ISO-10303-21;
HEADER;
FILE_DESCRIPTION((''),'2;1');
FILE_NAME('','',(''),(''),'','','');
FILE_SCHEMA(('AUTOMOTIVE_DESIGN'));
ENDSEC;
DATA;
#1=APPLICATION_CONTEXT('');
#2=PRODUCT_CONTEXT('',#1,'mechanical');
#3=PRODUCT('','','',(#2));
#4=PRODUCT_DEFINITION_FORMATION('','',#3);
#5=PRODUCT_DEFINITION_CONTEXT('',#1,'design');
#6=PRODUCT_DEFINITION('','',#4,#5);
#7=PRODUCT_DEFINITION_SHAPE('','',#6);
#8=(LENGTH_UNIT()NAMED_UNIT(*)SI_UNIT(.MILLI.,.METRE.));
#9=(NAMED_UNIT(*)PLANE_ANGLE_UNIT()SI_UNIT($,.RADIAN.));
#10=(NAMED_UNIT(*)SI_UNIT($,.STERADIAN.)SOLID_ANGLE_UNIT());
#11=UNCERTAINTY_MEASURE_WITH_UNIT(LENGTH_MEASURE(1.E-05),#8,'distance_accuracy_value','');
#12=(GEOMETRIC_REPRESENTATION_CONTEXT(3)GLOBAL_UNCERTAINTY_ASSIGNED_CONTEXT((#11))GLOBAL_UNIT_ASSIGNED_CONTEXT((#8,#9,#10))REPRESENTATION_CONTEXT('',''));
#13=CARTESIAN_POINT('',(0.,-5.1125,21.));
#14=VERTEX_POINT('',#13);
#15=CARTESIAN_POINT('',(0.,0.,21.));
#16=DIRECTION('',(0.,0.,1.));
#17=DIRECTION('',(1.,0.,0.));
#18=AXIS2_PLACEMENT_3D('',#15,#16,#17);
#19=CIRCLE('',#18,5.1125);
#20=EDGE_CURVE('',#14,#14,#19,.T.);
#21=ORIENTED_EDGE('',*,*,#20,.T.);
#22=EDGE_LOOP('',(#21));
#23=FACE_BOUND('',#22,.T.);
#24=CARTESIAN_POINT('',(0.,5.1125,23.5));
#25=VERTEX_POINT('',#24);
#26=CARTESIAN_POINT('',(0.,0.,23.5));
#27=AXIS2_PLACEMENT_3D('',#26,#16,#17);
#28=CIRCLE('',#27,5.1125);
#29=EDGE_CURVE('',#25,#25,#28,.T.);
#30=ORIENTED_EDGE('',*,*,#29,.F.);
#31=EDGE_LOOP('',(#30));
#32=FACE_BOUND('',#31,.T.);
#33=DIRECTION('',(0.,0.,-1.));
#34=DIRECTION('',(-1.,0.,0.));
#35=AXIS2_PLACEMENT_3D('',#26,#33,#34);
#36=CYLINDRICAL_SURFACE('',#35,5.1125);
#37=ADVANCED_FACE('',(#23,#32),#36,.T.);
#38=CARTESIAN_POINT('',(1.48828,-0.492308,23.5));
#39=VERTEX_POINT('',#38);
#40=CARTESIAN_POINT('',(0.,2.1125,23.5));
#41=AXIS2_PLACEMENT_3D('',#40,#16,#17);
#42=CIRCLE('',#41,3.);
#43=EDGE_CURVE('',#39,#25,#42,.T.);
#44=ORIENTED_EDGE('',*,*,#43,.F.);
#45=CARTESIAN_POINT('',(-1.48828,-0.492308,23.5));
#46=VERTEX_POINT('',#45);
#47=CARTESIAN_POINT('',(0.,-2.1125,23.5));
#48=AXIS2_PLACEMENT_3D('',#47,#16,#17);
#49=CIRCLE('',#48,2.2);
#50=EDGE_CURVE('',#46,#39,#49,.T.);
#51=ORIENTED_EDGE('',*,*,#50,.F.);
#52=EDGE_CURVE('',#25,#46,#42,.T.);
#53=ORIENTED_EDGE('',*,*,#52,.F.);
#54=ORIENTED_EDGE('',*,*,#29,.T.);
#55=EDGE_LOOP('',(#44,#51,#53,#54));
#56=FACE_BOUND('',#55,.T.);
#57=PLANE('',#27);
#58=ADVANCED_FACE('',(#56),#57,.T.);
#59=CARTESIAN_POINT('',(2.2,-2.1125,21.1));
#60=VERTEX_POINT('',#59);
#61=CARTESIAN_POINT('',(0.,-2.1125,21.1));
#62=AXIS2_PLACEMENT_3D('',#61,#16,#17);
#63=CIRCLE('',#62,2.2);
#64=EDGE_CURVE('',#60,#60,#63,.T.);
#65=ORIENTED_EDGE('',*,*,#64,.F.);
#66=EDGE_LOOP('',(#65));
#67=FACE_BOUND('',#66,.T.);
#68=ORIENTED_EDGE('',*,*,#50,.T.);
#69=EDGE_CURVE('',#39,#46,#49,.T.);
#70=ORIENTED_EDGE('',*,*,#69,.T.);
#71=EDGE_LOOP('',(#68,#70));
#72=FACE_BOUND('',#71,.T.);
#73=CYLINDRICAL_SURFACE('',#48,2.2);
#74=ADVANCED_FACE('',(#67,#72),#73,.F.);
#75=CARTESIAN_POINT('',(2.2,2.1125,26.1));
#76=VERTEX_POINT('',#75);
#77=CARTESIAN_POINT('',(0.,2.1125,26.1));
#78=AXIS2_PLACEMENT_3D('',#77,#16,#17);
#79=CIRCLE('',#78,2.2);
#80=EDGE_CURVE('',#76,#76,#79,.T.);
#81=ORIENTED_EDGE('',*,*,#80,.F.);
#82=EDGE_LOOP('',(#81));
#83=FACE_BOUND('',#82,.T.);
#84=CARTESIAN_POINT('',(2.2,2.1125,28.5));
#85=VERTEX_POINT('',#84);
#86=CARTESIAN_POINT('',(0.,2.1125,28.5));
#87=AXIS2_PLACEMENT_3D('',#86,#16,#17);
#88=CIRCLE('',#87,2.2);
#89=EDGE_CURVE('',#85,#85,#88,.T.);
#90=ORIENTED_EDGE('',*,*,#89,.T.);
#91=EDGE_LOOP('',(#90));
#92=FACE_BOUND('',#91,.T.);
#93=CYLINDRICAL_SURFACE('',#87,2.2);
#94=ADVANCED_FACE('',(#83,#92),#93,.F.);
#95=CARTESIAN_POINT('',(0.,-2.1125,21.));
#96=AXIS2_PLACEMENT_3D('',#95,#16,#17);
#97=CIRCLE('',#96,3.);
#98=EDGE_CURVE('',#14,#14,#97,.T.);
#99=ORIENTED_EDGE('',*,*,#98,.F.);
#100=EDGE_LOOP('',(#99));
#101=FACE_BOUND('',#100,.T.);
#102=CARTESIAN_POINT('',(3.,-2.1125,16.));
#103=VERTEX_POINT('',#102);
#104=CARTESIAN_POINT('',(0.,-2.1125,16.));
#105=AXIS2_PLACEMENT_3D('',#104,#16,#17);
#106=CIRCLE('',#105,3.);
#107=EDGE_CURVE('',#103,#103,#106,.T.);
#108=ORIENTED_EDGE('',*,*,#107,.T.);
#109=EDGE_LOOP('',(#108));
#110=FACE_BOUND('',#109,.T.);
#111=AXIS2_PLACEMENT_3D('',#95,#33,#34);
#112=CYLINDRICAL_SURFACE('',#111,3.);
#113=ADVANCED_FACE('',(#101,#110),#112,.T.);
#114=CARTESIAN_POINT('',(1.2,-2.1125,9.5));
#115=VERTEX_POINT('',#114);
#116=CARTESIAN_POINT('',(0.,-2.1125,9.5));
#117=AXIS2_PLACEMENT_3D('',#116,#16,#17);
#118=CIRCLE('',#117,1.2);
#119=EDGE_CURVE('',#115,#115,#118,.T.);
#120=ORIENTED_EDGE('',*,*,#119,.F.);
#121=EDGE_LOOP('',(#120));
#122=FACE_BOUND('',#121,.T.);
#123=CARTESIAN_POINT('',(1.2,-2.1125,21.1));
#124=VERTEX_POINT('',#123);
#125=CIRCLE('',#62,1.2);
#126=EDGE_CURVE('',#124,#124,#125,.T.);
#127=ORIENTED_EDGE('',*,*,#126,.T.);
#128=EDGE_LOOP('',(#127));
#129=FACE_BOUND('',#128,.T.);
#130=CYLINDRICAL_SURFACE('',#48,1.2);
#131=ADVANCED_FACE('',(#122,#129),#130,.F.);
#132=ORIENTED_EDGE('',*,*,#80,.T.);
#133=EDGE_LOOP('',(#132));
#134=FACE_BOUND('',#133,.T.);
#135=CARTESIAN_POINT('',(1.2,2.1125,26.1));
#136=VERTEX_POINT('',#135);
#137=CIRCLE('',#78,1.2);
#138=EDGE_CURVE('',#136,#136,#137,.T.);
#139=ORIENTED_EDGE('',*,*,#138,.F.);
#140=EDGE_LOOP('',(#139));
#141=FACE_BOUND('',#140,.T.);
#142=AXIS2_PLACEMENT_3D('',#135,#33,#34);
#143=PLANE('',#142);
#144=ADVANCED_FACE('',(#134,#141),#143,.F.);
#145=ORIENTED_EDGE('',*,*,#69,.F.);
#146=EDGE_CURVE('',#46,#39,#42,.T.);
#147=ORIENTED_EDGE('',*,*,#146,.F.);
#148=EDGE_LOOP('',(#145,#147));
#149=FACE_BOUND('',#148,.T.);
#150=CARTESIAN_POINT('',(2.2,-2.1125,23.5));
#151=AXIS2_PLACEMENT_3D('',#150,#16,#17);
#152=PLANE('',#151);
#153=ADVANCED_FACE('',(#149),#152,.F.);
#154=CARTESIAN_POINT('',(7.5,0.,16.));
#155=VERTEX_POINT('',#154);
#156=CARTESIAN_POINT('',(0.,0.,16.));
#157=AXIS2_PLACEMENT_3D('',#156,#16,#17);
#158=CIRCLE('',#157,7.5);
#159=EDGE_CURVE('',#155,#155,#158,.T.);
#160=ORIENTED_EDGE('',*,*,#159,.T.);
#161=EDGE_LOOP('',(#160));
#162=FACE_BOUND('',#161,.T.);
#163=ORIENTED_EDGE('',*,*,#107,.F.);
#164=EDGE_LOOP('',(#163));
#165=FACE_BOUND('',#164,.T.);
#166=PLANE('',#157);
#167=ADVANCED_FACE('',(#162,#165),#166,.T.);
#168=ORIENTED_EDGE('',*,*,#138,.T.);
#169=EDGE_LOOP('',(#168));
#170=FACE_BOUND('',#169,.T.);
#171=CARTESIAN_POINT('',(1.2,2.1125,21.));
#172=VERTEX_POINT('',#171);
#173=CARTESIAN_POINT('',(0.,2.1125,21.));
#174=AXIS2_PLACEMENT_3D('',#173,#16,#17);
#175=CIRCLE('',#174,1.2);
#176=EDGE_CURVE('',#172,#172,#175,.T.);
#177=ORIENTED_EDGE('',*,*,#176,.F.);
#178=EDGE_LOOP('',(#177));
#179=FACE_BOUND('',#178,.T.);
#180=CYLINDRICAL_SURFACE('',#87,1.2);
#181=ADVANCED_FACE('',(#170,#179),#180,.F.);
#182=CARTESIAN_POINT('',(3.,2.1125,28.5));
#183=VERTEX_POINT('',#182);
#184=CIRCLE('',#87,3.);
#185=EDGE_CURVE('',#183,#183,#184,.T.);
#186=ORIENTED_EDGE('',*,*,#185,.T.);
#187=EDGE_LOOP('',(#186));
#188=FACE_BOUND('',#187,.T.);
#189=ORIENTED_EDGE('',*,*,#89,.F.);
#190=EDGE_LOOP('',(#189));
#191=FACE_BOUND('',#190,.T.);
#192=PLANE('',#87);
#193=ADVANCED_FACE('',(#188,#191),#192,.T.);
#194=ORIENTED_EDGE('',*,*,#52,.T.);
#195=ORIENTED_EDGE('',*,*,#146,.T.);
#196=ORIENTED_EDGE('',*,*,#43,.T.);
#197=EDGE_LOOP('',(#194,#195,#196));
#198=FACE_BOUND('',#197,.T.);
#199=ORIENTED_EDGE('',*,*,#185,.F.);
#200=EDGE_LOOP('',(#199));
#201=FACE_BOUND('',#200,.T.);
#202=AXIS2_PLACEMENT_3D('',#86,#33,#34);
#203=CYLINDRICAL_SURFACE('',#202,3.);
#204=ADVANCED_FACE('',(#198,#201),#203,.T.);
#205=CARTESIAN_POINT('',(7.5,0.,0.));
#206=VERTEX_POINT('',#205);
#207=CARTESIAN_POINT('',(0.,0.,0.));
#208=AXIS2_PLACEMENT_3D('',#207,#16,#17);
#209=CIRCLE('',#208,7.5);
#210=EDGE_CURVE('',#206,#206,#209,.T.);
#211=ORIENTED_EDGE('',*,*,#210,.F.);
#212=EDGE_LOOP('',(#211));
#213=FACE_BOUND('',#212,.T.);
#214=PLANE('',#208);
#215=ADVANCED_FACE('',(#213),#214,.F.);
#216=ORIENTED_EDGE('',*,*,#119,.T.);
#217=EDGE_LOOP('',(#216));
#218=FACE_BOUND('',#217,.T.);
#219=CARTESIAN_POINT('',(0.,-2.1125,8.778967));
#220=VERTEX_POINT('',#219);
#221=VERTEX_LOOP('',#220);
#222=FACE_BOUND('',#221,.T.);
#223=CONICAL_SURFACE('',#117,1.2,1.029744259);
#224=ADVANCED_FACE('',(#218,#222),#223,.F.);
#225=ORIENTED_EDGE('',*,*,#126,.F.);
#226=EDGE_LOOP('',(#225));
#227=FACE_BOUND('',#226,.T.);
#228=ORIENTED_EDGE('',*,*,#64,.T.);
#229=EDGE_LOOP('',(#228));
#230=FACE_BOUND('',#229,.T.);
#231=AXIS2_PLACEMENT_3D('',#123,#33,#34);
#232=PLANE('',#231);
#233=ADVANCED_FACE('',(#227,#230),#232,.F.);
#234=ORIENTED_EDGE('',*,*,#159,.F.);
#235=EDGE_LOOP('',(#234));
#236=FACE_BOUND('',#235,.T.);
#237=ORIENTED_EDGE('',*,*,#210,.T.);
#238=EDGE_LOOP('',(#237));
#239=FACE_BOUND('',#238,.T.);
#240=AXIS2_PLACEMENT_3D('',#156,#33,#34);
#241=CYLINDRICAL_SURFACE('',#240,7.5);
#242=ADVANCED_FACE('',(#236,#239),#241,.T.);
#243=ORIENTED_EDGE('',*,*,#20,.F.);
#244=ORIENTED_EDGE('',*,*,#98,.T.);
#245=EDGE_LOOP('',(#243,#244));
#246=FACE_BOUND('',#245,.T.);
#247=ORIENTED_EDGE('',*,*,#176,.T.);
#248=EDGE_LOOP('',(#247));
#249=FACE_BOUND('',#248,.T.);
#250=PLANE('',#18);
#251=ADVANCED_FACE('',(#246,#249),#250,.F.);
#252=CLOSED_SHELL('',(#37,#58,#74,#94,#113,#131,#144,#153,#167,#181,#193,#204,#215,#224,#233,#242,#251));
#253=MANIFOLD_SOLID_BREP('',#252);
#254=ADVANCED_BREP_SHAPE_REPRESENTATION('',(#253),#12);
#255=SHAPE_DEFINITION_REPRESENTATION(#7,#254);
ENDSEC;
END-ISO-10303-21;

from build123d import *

# Parameters (mm, degrees)
SKETCH1_R                                           = 7.5
BOSS_EXTRUDE1_DEPTH                                 = 16
SKETCH2_R                                           = 3
BOSS_EXTRUDE2_DEPTH                                 = 5
SKETCH3_R                                           = 5.1125
BOSS_EXTRUDE3_DEPTH                                 = 2.5
SKETCH5_R                                           = 3
BOSS_EXTRUDE4_DEPTH                                 = 5
CBORE_FOR_M2_HEX_SOCKET_HEAD_CAP_SCREW1_D           = 2.4
CBORE_FOR_M2_HEX_SOCKET_HEAD_CAP_SCREW1_DEPTH       = 7.5
CBORE_FOR_M2_HEX_SOCKET_HEAD_CAP_SCREW1_CBORE_D     = 4.4
CBORE_FOR_M2_HEX_SOCKET_HEAD_CAP_SCREW1_CBORE_DEPTH = 2.4


with BuildPart() as part:
    # Sketch1 → Boss-Extrude1 (new body)
    with BuildSketch(Plane.XY):
        Circle(SKETCH1_R)
    extrude(amount=BOSS_EXTRUDE1_DEPTH)

    # Sketch2 → Boss-Extrude2 (add)
    with BuildSketch(Plane.XY.offset(16)):
        with Locations((0, -2.1125)):
            Circle(SKETCH2_R)
    extrude(amount=BOSS_EXTRUDE2_DEPTH)

    # Sketch3 → Boss-Extrude3 (add)
    with BuildSketch(Plane.XY.offset(21)):
        with Locations(Location((0, 0, 0), (0, 0, 270))):
            Circle(SKETCH3_R)
    extrude(amount=BOSS_EXTRUDE3_DEPTH)

    # Sketch5 → Boss-Extrude4 (add)
    with BuildSketch(Plane.XY.offset(23.5)):
        with Locations(Location((0, 2.1125, 0), (0, 0, 90))):
            Circle(SKETCH5_R)
    extrude(amount=BOSS_EXTRUDE4_DEPTH)

    # CBORE for M2 Hex Socket Head Cap Screw1
    with Locations(Plane.XY.offset(28.5)):
        with Locations((0, 2.1125)):
            CounterBoreHole(CBORE_FOR_M2_HEX_SOCKET_HEAD_CAP_SCREW1_D / 2, CBORE_FOR_M2_HEX_SOCKET_HEAD_CAP_SCREW1_CBORE_D / 2, CBORE_FOR_M2_HEX_SOCKET_HEAD_CAP_SCREW1_CBORE_DEPTH, depth=CBORE_FOR_M2_HEX_SOCKET_HEAD_CAP_SCREW1_DEPTH)

    # Sketch10 → CBORE for M2 Hex Socket Head Cap Screw2 (revolve, cut)
    with BuildSketch(Plane(origin=(0, -2.1125, 23.5), x_dir=(0, -1, 0), z_dir=(1, 0, 0))):
        Polygon((0, 0), (0, 14.721032743), (1.2, 14), (1.2, 2.4), (2.2, 2.4), (2.2, 0), align=None)
    revolve(axis=Axis((0, -2.1125, 29.85), (0, 0, -1)), mode=Mode.SUBTRACT)


solid = part.part
